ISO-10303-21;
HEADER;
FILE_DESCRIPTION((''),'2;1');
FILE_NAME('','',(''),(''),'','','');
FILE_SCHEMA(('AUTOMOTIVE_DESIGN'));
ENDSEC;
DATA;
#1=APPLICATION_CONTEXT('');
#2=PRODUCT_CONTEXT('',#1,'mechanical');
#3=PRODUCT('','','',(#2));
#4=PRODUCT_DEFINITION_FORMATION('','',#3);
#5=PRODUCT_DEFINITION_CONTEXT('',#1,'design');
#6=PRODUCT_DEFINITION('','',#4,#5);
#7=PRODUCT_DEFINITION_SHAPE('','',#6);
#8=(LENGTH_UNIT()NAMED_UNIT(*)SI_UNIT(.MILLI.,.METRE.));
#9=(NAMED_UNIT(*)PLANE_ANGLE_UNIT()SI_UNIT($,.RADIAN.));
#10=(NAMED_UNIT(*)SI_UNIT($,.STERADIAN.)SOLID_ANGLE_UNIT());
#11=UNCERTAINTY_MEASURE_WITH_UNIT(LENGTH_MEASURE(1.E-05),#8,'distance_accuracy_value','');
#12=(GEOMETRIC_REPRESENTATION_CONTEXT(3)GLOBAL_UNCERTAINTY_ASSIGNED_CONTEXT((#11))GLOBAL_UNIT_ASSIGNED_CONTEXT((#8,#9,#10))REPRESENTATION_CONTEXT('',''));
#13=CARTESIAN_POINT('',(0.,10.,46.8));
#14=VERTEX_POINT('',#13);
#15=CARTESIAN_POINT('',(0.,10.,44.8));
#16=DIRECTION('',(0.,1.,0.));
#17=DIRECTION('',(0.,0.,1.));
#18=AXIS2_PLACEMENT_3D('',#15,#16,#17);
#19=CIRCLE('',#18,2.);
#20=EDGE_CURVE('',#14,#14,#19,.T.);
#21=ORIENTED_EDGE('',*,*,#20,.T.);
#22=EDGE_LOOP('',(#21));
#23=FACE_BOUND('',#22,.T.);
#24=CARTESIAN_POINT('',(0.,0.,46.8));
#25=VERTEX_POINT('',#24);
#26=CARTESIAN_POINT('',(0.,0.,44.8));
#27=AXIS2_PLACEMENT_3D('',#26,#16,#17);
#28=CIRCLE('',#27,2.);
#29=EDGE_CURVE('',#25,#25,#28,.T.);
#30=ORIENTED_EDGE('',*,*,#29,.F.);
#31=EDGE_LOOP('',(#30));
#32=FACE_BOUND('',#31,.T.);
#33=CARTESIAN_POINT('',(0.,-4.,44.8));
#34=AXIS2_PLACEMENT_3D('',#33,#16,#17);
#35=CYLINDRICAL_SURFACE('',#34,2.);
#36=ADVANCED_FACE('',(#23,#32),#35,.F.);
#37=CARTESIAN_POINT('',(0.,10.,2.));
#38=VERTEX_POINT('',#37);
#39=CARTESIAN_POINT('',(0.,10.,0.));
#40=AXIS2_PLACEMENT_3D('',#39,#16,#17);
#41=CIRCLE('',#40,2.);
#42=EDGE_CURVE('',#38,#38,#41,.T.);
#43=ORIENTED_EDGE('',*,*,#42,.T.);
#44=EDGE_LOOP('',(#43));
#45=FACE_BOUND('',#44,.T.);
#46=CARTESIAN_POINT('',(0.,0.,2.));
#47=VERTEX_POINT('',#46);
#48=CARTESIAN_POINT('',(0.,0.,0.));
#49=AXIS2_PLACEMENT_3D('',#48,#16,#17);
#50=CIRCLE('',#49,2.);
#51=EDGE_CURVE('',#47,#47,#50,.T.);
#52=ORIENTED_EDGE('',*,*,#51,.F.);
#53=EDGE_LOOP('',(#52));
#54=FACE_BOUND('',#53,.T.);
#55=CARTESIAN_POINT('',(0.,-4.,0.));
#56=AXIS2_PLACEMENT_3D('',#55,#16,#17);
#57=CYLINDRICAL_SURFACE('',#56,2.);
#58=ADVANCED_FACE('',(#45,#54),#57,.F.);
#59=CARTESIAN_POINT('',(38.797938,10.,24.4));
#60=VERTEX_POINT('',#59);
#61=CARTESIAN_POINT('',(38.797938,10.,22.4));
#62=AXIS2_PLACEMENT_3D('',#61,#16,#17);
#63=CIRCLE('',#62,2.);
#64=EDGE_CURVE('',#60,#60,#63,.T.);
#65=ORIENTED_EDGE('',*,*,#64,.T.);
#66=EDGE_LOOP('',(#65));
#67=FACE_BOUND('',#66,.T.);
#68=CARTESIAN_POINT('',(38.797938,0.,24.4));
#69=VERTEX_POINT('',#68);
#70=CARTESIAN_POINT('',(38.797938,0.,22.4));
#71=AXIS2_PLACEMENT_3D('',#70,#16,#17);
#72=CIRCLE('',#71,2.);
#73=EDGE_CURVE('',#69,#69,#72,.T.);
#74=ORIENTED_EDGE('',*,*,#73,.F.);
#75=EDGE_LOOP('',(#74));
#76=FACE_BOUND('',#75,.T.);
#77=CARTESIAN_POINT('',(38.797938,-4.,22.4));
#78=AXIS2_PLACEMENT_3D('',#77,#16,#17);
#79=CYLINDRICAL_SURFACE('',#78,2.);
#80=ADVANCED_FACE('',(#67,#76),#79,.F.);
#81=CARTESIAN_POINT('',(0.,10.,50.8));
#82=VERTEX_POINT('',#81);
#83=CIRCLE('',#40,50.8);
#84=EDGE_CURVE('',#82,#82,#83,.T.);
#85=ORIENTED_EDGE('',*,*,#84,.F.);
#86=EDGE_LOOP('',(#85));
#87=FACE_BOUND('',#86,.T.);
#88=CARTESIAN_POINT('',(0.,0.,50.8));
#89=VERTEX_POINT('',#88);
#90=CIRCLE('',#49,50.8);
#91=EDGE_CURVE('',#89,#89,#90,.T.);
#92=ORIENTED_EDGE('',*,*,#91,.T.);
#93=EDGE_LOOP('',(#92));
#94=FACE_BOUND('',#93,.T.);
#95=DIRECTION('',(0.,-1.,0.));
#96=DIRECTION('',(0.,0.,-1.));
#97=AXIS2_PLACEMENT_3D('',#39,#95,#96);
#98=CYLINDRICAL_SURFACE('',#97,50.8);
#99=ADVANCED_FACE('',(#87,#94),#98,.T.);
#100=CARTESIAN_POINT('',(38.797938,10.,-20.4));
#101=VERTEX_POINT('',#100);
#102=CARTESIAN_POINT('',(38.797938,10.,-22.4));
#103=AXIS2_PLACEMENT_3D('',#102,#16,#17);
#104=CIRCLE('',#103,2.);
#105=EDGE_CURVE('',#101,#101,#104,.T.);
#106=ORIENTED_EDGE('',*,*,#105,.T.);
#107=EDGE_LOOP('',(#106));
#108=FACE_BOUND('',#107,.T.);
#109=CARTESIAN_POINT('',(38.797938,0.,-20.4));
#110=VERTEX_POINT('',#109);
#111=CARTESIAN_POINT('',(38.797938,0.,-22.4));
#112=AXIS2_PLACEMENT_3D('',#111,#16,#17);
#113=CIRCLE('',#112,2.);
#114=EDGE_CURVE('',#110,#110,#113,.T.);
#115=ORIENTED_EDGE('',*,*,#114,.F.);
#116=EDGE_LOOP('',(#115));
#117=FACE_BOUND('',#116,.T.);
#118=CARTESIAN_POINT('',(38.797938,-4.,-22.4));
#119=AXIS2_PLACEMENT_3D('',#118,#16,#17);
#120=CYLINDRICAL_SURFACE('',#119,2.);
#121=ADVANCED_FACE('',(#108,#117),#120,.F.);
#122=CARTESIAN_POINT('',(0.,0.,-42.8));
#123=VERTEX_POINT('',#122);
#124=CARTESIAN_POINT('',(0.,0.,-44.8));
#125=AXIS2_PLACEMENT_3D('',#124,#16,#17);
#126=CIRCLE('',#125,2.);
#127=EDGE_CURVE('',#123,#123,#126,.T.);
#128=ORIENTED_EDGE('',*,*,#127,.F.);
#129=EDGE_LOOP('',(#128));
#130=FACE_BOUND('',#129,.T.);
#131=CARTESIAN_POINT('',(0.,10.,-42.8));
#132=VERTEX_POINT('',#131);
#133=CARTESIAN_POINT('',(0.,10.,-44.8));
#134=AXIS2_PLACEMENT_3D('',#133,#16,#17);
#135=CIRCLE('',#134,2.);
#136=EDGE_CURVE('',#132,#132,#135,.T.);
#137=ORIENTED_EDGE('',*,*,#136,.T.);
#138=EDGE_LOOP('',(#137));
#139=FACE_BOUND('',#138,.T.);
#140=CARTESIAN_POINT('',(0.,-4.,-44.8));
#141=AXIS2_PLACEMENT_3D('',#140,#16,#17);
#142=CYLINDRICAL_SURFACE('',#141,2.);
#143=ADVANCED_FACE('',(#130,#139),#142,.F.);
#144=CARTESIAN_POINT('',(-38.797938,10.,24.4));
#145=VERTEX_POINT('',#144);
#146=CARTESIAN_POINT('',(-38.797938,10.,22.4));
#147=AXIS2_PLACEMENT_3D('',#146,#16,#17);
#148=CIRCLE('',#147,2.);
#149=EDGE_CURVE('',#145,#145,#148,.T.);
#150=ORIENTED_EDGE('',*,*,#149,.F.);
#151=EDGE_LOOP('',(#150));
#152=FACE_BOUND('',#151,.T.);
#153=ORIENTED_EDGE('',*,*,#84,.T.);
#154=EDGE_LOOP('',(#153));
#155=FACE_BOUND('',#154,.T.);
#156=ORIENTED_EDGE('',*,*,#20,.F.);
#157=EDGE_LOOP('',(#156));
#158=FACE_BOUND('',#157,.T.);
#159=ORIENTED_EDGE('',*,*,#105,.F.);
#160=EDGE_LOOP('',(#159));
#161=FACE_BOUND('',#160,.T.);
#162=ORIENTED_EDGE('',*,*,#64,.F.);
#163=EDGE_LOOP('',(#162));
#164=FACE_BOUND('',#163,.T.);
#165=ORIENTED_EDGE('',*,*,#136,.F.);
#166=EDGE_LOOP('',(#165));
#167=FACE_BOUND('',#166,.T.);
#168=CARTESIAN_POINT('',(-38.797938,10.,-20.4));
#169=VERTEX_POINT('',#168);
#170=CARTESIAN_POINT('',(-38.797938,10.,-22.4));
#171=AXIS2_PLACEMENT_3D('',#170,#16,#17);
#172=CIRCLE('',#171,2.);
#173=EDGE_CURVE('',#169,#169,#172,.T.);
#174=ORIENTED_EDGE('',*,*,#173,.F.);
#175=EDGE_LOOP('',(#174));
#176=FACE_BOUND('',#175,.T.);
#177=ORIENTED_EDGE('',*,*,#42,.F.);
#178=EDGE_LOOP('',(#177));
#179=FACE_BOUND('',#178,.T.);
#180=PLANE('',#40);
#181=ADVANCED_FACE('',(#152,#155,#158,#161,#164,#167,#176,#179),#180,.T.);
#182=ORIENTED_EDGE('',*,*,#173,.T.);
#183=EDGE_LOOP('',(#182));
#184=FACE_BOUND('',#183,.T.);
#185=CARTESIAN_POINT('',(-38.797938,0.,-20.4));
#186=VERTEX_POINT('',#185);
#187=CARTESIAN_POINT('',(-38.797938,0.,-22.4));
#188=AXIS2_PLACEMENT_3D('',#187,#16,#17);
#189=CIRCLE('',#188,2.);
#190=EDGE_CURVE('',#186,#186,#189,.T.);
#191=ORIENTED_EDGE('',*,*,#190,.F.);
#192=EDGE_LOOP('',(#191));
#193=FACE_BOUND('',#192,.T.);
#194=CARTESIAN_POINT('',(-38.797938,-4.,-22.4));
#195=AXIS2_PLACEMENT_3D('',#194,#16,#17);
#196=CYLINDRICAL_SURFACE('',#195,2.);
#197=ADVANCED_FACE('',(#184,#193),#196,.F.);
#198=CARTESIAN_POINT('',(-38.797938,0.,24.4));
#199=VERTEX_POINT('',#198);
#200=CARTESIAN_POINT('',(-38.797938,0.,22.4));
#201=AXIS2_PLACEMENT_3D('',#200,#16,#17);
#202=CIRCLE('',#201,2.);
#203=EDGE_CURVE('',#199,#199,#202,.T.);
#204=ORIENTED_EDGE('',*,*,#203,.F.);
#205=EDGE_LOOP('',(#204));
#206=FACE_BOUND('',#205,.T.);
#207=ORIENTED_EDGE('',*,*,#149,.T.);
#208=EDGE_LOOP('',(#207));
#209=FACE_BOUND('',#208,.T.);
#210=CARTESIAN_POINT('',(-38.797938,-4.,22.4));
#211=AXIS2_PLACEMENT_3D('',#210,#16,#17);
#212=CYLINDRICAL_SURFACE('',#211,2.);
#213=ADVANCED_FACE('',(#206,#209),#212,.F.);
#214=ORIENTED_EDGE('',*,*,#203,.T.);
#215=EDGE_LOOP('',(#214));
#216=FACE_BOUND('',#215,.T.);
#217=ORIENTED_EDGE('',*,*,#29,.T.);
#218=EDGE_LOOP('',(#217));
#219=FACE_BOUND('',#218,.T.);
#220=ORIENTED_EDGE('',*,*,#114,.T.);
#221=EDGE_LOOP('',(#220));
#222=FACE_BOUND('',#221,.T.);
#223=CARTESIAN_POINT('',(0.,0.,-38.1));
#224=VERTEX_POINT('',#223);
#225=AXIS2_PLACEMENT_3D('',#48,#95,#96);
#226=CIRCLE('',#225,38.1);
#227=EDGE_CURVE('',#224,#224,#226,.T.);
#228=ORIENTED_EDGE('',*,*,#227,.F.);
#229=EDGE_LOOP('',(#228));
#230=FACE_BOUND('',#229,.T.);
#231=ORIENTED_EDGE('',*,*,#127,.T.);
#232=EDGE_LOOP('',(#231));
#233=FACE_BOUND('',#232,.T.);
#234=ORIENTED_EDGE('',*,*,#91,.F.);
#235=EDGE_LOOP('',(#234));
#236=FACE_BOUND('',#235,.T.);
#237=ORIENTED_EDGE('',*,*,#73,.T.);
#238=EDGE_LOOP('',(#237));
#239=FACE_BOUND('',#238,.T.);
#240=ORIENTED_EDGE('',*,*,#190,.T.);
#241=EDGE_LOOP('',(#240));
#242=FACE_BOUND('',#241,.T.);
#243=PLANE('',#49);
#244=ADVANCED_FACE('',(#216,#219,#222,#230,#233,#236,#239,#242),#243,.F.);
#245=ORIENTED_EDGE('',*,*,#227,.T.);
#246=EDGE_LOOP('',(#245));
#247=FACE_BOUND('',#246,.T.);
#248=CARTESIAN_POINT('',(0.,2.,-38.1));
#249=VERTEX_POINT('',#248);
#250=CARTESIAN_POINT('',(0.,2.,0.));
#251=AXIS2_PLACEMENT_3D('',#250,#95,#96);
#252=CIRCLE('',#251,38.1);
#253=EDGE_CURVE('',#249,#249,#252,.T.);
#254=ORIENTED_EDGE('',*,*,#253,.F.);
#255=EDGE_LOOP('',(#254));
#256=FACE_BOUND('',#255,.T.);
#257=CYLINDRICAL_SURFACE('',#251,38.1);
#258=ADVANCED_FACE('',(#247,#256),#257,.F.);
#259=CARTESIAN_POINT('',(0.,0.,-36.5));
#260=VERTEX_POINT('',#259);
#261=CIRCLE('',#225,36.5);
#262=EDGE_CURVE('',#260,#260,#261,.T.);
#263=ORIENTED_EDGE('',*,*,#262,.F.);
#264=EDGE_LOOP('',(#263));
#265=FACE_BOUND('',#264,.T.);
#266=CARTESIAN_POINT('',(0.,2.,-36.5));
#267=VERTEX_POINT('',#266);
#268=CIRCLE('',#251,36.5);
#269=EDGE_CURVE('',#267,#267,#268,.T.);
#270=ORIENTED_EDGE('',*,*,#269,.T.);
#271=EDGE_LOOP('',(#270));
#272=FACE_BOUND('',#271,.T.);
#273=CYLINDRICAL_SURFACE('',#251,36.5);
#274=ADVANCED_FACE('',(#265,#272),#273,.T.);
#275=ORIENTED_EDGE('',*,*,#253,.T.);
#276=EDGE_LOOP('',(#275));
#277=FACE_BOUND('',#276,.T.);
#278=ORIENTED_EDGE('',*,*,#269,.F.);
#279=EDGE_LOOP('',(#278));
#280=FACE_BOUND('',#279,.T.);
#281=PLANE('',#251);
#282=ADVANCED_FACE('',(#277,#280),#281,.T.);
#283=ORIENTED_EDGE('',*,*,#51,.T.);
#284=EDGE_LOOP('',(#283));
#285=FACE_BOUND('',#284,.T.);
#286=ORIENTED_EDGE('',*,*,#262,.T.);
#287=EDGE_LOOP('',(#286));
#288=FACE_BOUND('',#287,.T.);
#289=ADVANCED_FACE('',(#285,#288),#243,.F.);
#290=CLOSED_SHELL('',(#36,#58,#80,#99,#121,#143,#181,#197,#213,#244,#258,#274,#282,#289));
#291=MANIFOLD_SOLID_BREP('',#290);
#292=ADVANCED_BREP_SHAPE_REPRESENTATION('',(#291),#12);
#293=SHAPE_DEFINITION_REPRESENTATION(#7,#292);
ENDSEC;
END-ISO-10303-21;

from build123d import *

# Parameters (mm, degrees)
SKETCH1_R           = 50.8
BOSS_EXTRUDE1_DEPTH = 10
SKETCH2_R           = 38.1
SKETCH2_R_2         = 36.5
CUT_EXTRUDE1_DEPTH  = 2
SKETCH3_R           = 2
CUT_EXTRUDE2_DEPTH  = 14


with BuildPart() as part:
    # Sketch1 → Boss-Extrude1 (new body)
    with BuildSketch(Plane(origin=(0, 0, 0), x_dir=(1, 0, 0), z_dir=(0, 1, 0))):
        Circle(SKETCH1_R)
    extrude(amount=BOSS_EXTRUDE1_DEPTH)

    # Sketch2 → Cut-Extrude1 (cut)
    with BuildSketch(Plane.XZ):
        Circle(SKETCH2_R)
        Circle(SKETCH2_R_2, mode=Mode.SUBTRACT)
    extrude(amount=-CUT_EXTRUDE1_DEPTH, mode=Mode.SUBTRACT)

    # Sketch3 → Cut-Extrude2 (cut)
    with BuildSketch(Plane(origin=(0, 10, 0), x_dir=(1, 0, 0), z_dir=(0, 1, 0))):
        Circle(SKETCH3_R)
        with Locations((0, 44.8)):
            Circle(SKETCH3_R)
        with Locations((38.79793809, 22.4)):
            Circle(SKETCH3_R)
        with Locations((38.79793809, -22.4)):
            Circle(SKETCH3_R)
        with Locations((0, -44.8)):
            Circle(SKETCH3_R)
        with Locations((-38.79793809, -22.4)):
            Circle(SKETCH3_R)
        with Locations((-38.79793809, 22.4)):
            Circle(SKETCH3_R)
    extrude(amount=-CUT_EXTRUDE2_DEPTH, mode=Mode.SUBTRACT)


solid = part.part
